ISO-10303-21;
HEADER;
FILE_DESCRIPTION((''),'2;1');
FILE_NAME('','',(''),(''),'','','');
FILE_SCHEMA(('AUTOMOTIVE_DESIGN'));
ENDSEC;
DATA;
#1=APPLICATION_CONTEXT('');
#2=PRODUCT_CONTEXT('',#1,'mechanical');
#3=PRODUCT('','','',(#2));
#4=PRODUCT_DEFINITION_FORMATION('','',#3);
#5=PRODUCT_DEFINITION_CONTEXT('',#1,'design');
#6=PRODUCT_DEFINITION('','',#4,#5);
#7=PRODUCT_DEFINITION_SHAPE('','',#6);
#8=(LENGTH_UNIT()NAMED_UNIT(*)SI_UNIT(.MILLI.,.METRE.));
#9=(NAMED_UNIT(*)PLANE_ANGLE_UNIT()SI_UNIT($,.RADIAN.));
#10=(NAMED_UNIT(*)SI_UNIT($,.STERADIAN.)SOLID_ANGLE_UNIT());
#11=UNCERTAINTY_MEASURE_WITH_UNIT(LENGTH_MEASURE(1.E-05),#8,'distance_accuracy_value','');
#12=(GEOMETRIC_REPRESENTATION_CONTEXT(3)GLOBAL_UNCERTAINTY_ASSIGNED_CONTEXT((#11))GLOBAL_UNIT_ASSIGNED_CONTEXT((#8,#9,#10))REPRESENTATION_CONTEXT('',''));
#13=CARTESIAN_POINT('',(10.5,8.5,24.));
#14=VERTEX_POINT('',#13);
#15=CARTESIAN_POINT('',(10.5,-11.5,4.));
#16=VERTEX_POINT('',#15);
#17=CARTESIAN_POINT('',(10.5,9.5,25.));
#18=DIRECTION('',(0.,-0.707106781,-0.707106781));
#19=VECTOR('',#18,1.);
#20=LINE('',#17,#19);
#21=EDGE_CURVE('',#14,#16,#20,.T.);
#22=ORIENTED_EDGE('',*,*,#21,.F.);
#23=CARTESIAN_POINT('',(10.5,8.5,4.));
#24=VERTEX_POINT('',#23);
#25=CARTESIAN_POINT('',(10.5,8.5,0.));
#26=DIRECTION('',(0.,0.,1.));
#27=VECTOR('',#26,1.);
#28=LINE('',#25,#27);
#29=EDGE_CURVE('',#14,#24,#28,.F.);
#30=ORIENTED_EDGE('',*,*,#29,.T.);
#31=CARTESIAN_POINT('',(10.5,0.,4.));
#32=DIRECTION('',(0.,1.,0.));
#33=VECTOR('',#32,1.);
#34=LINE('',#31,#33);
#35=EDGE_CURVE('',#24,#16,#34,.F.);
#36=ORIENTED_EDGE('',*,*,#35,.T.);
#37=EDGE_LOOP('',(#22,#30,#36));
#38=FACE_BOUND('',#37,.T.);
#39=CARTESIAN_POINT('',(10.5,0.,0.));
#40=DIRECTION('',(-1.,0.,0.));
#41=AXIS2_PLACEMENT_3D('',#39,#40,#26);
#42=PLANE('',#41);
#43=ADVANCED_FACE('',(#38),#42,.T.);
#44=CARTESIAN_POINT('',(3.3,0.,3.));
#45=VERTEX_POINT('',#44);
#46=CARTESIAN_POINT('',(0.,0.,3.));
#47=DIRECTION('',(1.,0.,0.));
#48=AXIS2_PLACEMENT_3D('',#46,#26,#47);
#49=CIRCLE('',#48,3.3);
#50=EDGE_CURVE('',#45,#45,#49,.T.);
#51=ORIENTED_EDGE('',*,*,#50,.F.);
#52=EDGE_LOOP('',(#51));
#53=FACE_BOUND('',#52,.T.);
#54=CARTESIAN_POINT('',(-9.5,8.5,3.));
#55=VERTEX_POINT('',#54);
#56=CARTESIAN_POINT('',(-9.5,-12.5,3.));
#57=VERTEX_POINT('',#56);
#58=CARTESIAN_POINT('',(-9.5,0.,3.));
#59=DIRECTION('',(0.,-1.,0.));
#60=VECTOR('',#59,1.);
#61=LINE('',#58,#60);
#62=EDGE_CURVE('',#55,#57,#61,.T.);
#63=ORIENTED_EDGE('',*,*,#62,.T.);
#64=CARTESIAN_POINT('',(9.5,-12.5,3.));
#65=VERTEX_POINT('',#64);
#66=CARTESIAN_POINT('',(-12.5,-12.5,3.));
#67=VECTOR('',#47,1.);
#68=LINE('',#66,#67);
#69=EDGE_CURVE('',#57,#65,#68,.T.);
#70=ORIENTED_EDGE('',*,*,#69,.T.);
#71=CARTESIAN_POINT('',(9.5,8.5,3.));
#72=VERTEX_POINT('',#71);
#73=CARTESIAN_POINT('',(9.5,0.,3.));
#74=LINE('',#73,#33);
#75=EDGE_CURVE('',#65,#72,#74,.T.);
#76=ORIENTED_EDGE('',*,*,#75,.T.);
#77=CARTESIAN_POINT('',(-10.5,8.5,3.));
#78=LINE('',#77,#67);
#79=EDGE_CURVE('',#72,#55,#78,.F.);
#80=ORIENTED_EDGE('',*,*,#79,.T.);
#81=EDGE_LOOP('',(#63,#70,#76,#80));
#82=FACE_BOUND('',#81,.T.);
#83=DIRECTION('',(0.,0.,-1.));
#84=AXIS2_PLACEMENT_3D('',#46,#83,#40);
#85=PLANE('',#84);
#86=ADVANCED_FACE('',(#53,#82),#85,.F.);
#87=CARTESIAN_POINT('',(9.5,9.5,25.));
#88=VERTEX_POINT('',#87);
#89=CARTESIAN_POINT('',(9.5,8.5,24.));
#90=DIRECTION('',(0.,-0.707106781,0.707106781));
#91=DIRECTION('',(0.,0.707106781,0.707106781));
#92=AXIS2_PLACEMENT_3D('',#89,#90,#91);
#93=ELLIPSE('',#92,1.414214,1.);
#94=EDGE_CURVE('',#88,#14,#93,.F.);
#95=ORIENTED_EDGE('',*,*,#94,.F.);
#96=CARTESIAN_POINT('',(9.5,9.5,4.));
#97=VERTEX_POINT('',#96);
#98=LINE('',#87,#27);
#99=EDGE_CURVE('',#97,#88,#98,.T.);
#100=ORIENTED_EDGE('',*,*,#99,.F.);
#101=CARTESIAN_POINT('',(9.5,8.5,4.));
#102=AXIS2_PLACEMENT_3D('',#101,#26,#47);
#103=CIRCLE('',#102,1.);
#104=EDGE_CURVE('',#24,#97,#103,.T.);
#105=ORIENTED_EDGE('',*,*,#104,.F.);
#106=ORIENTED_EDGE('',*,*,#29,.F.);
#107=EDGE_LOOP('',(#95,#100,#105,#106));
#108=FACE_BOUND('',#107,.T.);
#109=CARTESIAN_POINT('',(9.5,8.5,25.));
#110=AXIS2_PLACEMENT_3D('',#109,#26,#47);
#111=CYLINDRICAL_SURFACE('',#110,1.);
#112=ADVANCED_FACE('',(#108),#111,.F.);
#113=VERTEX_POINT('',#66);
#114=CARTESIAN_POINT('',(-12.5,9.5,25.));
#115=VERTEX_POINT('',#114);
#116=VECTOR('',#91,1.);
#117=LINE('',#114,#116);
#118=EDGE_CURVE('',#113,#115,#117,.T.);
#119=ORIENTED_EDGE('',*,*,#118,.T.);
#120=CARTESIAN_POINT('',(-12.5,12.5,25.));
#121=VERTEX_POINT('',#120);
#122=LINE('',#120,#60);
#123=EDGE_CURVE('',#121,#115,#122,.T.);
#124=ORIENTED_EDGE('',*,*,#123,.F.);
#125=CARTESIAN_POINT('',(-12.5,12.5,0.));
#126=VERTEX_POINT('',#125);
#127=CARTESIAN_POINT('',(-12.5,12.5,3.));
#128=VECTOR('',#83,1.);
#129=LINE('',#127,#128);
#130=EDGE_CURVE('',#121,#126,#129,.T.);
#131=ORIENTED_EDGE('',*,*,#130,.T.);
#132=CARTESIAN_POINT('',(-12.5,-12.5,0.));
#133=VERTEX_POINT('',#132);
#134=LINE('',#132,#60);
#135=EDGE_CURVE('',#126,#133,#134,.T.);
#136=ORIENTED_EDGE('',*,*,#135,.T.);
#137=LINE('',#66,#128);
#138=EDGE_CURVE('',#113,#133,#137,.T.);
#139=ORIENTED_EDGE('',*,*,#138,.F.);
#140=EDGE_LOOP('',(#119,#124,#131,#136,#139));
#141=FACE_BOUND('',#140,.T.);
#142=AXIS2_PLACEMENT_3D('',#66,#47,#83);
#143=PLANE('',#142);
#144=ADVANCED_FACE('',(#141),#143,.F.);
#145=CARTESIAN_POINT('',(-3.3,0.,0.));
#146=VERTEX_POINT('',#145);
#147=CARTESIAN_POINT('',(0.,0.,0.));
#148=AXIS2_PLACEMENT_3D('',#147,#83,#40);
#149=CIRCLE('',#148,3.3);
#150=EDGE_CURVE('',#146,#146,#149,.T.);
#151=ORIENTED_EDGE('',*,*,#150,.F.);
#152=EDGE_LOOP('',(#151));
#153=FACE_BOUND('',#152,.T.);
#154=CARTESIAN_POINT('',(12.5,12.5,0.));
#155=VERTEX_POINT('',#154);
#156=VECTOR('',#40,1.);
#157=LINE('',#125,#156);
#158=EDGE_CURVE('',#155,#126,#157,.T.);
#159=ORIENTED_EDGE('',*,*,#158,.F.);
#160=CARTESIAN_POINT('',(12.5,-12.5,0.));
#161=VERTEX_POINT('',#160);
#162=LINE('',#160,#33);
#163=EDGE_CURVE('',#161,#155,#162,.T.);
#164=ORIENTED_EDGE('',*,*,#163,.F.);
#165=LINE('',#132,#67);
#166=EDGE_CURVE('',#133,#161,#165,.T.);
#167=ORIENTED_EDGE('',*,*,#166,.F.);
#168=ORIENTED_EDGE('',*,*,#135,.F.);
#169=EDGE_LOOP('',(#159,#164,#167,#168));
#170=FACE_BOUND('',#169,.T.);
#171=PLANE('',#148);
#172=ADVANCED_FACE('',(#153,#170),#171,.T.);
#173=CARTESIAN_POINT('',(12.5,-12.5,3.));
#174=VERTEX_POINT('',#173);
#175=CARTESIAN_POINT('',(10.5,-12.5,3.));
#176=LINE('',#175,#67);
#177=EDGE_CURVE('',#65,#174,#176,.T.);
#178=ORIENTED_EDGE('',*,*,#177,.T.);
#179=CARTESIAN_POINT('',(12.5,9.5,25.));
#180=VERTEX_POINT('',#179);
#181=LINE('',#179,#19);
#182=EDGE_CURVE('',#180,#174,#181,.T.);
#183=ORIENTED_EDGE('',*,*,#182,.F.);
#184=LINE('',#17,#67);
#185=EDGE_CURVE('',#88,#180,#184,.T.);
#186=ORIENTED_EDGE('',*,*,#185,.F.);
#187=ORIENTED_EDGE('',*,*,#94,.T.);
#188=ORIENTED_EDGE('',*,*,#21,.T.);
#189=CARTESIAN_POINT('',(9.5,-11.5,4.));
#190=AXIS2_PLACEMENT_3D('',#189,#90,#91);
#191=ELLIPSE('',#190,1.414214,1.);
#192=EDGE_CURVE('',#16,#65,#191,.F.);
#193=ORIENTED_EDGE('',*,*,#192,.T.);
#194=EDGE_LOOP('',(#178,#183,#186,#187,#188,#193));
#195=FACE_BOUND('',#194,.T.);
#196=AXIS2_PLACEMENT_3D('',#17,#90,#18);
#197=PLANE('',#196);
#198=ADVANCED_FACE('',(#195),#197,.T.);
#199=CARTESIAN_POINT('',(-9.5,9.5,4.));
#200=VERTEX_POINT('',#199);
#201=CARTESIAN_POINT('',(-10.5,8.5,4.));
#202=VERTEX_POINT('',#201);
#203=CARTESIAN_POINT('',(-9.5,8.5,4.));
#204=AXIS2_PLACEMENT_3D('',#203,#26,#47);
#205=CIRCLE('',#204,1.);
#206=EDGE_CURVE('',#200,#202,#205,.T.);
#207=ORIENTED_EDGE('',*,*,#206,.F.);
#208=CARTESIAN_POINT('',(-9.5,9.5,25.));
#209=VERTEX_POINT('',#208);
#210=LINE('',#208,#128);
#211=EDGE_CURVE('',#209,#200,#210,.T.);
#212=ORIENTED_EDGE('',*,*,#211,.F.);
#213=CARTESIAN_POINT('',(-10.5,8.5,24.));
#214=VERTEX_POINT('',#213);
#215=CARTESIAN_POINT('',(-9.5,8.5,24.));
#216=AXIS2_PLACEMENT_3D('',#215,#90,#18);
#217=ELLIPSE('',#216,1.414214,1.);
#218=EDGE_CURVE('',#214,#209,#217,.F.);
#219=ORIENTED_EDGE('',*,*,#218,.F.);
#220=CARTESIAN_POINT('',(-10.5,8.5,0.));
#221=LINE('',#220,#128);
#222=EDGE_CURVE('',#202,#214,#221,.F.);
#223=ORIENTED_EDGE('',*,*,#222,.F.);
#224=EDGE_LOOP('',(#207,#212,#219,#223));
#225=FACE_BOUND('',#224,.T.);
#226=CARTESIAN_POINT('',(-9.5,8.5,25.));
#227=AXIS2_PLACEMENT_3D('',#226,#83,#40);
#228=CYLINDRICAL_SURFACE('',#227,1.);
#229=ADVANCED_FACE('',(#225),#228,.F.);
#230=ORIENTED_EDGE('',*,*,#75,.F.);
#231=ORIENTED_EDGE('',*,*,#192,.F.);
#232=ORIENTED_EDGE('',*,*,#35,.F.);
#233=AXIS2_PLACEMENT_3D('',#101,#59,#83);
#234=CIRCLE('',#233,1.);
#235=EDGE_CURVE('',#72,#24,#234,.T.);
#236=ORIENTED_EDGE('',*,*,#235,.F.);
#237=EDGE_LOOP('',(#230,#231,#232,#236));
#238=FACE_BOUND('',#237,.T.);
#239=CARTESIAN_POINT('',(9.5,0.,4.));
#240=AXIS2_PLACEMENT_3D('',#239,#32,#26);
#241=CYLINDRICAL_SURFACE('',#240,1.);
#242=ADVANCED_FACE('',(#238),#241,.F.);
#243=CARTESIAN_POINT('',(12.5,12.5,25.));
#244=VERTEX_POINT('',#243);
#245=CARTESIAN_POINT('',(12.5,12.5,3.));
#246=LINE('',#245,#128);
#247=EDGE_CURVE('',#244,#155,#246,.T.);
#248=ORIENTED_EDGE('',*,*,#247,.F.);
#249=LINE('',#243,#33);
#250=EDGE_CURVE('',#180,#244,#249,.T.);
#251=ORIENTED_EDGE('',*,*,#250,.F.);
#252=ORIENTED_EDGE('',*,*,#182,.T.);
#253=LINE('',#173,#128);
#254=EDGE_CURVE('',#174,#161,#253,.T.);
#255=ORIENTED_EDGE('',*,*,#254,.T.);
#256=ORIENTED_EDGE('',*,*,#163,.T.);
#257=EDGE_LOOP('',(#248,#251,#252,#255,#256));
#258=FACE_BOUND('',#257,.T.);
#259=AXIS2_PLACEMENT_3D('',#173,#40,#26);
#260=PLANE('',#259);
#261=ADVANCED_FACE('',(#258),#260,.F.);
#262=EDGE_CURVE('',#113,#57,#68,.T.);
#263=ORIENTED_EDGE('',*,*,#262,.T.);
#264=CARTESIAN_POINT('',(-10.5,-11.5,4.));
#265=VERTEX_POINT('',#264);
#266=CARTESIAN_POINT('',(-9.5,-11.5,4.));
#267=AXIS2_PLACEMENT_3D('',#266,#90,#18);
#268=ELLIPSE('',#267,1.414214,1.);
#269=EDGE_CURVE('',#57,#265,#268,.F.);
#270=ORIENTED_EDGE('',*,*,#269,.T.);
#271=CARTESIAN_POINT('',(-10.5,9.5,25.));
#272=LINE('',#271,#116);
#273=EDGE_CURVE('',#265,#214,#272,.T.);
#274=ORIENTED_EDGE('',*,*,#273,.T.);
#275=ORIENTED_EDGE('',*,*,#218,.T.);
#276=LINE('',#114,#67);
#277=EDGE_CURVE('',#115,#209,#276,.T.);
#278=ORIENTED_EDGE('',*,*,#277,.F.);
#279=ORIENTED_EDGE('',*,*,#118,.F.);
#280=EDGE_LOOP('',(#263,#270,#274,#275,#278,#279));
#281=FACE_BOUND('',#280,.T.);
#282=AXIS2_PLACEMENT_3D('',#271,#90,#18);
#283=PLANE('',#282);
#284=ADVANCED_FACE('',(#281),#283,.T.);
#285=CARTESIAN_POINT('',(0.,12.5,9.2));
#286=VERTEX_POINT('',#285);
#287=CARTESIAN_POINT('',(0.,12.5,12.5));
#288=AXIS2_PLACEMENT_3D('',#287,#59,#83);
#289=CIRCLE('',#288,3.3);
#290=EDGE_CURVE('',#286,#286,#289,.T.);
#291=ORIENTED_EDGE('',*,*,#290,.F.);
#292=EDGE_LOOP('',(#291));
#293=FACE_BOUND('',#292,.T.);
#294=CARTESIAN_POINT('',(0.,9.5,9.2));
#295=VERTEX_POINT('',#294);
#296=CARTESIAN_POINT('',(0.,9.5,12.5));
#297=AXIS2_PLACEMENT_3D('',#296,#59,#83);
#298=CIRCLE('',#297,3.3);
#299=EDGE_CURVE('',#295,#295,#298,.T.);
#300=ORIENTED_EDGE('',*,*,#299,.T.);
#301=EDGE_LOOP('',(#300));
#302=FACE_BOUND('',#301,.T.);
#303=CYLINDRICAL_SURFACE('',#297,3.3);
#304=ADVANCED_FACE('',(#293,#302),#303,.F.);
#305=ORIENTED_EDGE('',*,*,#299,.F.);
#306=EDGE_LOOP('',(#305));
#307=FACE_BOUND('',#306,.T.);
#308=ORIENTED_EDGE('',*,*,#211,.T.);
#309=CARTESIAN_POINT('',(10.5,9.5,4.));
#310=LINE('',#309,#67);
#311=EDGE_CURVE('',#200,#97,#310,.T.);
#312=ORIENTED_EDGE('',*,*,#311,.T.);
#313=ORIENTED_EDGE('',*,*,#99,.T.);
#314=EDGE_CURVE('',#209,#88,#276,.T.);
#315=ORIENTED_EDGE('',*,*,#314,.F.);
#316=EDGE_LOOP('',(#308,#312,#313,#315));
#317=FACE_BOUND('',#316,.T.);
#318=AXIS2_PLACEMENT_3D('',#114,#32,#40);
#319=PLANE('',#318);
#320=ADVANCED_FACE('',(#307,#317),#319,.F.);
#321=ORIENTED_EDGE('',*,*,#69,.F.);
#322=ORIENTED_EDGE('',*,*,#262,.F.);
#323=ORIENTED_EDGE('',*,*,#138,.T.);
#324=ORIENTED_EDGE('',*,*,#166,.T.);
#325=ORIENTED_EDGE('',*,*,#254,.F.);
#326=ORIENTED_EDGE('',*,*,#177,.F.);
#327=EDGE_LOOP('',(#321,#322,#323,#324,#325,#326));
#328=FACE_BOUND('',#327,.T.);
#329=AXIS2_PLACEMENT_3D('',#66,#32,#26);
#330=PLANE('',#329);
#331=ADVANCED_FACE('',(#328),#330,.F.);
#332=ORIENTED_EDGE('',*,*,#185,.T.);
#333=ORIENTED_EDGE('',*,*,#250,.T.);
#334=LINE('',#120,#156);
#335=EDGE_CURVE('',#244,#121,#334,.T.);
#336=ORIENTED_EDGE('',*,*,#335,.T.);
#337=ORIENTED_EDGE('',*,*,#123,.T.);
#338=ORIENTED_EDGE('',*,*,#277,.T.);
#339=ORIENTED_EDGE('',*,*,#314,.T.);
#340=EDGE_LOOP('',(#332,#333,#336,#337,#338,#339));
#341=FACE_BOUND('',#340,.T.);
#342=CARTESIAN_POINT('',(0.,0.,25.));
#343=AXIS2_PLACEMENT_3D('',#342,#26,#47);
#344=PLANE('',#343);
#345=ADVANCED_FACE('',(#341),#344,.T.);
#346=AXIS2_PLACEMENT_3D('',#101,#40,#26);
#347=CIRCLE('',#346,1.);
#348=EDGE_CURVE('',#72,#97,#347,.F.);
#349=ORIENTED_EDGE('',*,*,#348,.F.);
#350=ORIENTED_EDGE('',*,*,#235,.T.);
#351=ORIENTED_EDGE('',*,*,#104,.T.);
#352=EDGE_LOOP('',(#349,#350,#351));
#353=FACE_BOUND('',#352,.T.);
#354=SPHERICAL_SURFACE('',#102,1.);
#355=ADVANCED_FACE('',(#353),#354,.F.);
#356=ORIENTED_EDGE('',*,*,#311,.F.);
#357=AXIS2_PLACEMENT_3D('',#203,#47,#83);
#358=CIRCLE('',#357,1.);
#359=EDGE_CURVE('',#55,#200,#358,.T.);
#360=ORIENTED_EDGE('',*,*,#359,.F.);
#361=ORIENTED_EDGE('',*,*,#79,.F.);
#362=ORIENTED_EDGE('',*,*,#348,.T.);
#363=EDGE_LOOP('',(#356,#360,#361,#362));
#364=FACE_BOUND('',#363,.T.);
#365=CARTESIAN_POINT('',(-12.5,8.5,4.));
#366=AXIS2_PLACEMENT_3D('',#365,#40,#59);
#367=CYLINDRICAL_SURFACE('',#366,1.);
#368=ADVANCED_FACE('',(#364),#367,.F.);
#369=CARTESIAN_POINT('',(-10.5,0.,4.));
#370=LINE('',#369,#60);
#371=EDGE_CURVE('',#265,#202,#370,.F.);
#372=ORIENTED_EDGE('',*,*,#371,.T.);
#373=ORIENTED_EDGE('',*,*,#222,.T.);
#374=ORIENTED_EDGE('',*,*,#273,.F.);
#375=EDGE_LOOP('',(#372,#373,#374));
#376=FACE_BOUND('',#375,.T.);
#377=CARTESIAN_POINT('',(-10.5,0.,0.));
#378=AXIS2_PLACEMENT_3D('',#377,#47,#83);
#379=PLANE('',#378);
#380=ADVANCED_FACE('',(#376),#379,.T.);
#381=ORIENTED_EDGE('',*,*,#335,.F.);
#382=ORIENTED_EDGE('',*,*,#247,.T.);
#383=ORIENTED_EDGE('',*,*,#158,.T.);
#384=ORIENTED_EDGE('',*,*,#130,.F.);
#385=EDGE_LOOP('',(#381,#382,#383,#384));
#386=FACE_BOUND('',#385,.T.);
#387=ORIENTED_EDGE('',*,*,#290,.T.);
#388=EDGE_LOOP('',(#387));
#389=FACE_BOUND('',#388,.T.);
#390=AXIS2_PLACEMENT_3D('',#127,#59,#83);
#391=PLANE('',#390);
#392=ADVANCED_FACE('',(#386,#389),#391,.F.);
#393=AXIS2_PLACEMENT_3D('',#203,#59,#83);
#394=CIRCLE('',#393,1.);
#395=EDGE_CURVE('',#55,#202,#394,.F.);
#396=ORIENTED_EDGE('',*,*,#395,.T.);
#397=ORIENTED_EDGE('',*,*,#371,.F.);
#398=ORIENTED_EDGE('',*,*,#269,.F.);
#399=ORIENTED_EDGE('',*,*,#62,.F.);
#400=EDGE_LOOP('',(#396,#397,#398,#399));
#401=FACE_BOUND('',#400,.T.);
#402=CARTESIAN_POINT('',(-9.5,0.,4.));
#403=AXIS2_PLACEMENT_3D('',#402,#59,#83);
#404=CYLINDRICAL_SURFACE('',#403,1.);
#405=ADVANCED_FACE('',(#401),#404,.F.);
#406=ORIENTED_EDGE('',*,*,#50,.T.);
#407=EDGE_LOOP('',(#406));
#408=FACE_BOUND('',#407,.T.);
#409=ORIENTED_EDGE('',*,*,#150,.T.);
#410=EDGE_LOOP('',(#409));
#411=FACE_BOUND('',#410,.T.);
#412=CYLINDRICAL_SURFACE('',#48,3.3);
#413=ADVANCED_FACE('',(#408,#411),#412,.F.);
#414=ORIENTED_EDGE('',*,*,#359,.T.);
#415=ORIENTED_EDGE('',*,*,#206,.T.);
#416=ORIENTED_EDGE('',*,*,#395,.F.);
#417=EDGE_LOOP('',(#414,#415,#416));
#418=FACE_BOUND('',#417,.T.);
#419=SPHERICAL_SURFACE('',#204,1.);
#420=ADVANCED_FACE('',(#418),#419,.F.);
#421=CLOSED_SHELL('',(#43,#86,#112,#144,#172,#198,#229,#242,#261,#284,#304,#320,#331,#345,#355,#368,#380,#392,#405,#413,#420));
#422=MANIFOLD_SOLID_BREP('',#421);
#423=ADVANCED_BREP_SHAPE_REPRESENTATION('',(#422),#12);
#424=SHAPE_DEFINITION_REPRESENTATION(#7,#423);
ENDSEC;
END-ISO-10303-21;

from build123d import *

# Parameters (mm, degrees)
SKETCH1_W            = 25
SKETCH1_H            = 25
BOSS_EXTRUDE1_DEPTH  = 3
SKETCH2_W            = 25
SKETCH2_H            = 3
BOSS_EXTRUDE2_DEPTH  = 22
BOSS_EXTRUDE3_DEPTH  = 2
BOSS_EXTRUDE4_DEPTH  = 2
M6_CLEARANCE_HOLE1_D = 6.6
M6_CLEARANCE_HOLE2_D = 6.6
FILLET1_R            = 1


with BuildPart() as part:
    # Sketch1 → Boss-Extrude1 (new body)
    with BuildSketch(Plane.XY):
        Rectangle(SKETCH1_W, SKETCH1_H)
    extrude(amount=BOSS_EXTRUDE1_DEPTH)

    # Sketch2 → Boss-Extrude2 (add)
    with BuildSketch(Plane.XY.offset(3)):
        with Locations((0, 11)):
            Rectangle(SKETCH2_W, SKETCH2_H)
    extrude(amount=BOSS_EXTRUDE2_DEPTH)

    # Sketch3 → Boss-Extrude3 (add)
    with BuildSketch(Plane(origin=(12.5, 0, 0), x_dir=(0, 0, -1), z_dir=(1, 0, 0))):
        Polygon((-25, 9.5), (-3, -12.5), (-3, 9.5), align=None)
    extrude(amount=-BOSS_EXTRUDE3_DEPTH)

    # Sketch4 → Boss-Extrude4 (add)
    with BuildSketch(Plane.ZY.offset(12.5)):
        Polygon((3, -12.5), (3, 9.5), (25, 9.5), align=None)
    extrude(amount=-BOSS_EXTRUDE4_DEPTH)

    # M6 Clearance Hole1 (through all)
    with Locations(Plane(origin=(0, 9.5, 0), x_dir=(-1, 0, 0), z_dir=(0, -1, 0))):
        with Locations((0, -12.5)):
            Hole(M6_CLEARANCE_HOLE1_D / 2)

    # M6 Clearance Hole2 (through all)
    with Locations(Plane.XY.offset(3)):
        with Locations((0, 0)):
            Hole(M6_CLEARANCE_HOLE2_D / 2)

    # Fillet1
    fillet1_edges = [part.edges().sort_by_distance(p)[0] for p in [
        (10.5, 9.5, 14),
        (10.5, -1.5, 3),
        (0, 9.5, 3),
        (-10.5, -1.5, 3),
        (-10.5, 9.5, 14),
    ]]
    fillet(fillet1_edges, radius=FILLET1_R)


solid = part.part
